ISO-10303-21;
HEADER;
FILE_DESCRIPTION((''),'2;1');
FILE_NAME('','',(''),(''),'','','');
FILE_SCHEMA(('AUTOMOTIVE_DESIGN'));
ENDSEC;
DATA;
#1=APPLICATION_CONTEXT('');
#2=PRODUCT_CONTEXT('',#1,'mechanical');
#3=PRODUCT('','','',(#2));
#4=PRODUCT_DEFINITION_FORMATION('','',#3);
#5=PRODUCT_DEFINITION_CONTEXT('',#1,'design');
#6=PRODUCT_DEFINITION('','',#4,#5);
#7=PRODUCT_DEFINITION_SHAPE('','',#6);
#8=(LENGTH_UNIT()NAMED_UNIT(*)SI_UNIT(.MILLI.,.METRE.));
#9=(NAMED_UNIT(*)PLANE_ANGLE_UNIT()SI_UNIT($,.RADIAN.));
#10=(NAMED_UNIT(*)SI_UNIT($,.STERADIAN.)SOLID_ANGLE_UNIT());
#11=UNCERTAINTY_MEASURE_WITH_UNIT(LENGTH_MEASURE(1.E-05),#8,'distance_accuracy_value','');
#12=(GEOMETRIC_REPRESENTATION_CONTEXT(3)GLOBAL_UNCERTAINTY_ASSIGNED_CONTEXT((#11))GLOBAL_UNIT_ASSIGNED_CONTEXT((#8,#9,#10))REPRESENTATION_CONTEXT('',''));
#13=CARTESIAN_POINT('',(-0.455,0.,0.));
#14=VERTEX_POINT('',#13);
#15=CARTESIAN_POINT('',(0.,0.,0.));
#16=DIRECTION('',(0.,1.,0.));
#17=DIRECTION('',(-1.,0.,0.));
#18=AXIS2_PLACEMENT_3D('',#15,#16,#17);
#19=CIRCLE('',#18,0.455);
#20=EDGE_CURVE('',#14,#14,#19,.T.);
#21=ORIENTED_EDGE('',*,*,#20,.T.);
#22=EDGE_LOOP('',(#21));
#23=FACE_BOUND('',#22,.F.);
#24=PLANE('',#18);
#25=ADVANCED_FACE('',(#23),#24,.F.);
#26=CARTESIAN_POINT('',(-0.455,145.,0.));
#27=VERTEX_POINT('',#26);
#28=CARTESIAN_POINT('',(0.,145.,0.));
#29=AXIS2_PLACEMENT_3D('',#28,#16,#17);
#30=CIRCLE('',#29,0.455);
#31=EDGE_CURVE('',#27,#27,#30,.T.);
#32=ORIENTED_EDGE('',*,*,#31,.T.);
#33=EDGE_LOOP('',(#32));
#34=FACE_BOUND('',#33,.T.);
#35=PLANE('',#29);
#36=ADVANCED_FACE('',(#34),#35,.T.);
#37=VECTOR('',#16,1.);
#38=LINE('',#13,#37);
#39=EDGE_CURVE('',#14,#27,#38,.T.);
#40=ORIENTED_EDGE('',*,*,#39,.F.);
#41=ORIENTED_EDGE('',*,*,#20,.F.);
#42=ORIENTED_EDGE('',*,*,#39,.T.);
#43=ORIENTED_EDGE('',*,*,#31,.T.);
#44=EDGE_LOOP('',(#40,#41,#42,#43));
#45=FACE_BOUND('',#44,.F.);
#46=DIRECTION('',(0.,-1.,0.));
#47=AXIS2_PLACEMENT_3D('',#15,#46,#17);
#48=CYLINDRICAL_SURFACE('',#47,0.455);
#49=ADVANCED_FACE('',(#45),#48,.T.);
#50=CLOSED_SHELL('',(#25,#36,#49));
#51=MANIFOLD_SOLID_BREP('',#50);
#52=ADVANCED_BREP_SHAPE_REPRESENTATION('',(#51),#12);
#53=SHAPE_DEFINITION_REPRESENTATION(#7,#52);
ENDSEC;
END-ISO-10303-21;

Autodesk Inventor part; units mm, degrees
ref_plane "YZ Plane" through (0, 0, 0) normal (1, 0, 0) x (0, 1, 0)
ref_plane "XZ Plane" through (0, 0, 0) normal (0, 1, 0) x (-1, 0, 0)
ref_plane "XY Plane" through (0, 0, 0) normal (0, 0, 1) x (1, 0, 0)
sketch "Sketch1" plane through (0, 0, 0) normal (0, 1, 0) x (-1, 0, 0)
  circle A0 centre (0, 0) radius 0.455
  dimension "d0" = 0.91
extrude "Extrusion1" add sketch "Sketch1" along normal blind 145
properties part number "Inner_Conductor"
